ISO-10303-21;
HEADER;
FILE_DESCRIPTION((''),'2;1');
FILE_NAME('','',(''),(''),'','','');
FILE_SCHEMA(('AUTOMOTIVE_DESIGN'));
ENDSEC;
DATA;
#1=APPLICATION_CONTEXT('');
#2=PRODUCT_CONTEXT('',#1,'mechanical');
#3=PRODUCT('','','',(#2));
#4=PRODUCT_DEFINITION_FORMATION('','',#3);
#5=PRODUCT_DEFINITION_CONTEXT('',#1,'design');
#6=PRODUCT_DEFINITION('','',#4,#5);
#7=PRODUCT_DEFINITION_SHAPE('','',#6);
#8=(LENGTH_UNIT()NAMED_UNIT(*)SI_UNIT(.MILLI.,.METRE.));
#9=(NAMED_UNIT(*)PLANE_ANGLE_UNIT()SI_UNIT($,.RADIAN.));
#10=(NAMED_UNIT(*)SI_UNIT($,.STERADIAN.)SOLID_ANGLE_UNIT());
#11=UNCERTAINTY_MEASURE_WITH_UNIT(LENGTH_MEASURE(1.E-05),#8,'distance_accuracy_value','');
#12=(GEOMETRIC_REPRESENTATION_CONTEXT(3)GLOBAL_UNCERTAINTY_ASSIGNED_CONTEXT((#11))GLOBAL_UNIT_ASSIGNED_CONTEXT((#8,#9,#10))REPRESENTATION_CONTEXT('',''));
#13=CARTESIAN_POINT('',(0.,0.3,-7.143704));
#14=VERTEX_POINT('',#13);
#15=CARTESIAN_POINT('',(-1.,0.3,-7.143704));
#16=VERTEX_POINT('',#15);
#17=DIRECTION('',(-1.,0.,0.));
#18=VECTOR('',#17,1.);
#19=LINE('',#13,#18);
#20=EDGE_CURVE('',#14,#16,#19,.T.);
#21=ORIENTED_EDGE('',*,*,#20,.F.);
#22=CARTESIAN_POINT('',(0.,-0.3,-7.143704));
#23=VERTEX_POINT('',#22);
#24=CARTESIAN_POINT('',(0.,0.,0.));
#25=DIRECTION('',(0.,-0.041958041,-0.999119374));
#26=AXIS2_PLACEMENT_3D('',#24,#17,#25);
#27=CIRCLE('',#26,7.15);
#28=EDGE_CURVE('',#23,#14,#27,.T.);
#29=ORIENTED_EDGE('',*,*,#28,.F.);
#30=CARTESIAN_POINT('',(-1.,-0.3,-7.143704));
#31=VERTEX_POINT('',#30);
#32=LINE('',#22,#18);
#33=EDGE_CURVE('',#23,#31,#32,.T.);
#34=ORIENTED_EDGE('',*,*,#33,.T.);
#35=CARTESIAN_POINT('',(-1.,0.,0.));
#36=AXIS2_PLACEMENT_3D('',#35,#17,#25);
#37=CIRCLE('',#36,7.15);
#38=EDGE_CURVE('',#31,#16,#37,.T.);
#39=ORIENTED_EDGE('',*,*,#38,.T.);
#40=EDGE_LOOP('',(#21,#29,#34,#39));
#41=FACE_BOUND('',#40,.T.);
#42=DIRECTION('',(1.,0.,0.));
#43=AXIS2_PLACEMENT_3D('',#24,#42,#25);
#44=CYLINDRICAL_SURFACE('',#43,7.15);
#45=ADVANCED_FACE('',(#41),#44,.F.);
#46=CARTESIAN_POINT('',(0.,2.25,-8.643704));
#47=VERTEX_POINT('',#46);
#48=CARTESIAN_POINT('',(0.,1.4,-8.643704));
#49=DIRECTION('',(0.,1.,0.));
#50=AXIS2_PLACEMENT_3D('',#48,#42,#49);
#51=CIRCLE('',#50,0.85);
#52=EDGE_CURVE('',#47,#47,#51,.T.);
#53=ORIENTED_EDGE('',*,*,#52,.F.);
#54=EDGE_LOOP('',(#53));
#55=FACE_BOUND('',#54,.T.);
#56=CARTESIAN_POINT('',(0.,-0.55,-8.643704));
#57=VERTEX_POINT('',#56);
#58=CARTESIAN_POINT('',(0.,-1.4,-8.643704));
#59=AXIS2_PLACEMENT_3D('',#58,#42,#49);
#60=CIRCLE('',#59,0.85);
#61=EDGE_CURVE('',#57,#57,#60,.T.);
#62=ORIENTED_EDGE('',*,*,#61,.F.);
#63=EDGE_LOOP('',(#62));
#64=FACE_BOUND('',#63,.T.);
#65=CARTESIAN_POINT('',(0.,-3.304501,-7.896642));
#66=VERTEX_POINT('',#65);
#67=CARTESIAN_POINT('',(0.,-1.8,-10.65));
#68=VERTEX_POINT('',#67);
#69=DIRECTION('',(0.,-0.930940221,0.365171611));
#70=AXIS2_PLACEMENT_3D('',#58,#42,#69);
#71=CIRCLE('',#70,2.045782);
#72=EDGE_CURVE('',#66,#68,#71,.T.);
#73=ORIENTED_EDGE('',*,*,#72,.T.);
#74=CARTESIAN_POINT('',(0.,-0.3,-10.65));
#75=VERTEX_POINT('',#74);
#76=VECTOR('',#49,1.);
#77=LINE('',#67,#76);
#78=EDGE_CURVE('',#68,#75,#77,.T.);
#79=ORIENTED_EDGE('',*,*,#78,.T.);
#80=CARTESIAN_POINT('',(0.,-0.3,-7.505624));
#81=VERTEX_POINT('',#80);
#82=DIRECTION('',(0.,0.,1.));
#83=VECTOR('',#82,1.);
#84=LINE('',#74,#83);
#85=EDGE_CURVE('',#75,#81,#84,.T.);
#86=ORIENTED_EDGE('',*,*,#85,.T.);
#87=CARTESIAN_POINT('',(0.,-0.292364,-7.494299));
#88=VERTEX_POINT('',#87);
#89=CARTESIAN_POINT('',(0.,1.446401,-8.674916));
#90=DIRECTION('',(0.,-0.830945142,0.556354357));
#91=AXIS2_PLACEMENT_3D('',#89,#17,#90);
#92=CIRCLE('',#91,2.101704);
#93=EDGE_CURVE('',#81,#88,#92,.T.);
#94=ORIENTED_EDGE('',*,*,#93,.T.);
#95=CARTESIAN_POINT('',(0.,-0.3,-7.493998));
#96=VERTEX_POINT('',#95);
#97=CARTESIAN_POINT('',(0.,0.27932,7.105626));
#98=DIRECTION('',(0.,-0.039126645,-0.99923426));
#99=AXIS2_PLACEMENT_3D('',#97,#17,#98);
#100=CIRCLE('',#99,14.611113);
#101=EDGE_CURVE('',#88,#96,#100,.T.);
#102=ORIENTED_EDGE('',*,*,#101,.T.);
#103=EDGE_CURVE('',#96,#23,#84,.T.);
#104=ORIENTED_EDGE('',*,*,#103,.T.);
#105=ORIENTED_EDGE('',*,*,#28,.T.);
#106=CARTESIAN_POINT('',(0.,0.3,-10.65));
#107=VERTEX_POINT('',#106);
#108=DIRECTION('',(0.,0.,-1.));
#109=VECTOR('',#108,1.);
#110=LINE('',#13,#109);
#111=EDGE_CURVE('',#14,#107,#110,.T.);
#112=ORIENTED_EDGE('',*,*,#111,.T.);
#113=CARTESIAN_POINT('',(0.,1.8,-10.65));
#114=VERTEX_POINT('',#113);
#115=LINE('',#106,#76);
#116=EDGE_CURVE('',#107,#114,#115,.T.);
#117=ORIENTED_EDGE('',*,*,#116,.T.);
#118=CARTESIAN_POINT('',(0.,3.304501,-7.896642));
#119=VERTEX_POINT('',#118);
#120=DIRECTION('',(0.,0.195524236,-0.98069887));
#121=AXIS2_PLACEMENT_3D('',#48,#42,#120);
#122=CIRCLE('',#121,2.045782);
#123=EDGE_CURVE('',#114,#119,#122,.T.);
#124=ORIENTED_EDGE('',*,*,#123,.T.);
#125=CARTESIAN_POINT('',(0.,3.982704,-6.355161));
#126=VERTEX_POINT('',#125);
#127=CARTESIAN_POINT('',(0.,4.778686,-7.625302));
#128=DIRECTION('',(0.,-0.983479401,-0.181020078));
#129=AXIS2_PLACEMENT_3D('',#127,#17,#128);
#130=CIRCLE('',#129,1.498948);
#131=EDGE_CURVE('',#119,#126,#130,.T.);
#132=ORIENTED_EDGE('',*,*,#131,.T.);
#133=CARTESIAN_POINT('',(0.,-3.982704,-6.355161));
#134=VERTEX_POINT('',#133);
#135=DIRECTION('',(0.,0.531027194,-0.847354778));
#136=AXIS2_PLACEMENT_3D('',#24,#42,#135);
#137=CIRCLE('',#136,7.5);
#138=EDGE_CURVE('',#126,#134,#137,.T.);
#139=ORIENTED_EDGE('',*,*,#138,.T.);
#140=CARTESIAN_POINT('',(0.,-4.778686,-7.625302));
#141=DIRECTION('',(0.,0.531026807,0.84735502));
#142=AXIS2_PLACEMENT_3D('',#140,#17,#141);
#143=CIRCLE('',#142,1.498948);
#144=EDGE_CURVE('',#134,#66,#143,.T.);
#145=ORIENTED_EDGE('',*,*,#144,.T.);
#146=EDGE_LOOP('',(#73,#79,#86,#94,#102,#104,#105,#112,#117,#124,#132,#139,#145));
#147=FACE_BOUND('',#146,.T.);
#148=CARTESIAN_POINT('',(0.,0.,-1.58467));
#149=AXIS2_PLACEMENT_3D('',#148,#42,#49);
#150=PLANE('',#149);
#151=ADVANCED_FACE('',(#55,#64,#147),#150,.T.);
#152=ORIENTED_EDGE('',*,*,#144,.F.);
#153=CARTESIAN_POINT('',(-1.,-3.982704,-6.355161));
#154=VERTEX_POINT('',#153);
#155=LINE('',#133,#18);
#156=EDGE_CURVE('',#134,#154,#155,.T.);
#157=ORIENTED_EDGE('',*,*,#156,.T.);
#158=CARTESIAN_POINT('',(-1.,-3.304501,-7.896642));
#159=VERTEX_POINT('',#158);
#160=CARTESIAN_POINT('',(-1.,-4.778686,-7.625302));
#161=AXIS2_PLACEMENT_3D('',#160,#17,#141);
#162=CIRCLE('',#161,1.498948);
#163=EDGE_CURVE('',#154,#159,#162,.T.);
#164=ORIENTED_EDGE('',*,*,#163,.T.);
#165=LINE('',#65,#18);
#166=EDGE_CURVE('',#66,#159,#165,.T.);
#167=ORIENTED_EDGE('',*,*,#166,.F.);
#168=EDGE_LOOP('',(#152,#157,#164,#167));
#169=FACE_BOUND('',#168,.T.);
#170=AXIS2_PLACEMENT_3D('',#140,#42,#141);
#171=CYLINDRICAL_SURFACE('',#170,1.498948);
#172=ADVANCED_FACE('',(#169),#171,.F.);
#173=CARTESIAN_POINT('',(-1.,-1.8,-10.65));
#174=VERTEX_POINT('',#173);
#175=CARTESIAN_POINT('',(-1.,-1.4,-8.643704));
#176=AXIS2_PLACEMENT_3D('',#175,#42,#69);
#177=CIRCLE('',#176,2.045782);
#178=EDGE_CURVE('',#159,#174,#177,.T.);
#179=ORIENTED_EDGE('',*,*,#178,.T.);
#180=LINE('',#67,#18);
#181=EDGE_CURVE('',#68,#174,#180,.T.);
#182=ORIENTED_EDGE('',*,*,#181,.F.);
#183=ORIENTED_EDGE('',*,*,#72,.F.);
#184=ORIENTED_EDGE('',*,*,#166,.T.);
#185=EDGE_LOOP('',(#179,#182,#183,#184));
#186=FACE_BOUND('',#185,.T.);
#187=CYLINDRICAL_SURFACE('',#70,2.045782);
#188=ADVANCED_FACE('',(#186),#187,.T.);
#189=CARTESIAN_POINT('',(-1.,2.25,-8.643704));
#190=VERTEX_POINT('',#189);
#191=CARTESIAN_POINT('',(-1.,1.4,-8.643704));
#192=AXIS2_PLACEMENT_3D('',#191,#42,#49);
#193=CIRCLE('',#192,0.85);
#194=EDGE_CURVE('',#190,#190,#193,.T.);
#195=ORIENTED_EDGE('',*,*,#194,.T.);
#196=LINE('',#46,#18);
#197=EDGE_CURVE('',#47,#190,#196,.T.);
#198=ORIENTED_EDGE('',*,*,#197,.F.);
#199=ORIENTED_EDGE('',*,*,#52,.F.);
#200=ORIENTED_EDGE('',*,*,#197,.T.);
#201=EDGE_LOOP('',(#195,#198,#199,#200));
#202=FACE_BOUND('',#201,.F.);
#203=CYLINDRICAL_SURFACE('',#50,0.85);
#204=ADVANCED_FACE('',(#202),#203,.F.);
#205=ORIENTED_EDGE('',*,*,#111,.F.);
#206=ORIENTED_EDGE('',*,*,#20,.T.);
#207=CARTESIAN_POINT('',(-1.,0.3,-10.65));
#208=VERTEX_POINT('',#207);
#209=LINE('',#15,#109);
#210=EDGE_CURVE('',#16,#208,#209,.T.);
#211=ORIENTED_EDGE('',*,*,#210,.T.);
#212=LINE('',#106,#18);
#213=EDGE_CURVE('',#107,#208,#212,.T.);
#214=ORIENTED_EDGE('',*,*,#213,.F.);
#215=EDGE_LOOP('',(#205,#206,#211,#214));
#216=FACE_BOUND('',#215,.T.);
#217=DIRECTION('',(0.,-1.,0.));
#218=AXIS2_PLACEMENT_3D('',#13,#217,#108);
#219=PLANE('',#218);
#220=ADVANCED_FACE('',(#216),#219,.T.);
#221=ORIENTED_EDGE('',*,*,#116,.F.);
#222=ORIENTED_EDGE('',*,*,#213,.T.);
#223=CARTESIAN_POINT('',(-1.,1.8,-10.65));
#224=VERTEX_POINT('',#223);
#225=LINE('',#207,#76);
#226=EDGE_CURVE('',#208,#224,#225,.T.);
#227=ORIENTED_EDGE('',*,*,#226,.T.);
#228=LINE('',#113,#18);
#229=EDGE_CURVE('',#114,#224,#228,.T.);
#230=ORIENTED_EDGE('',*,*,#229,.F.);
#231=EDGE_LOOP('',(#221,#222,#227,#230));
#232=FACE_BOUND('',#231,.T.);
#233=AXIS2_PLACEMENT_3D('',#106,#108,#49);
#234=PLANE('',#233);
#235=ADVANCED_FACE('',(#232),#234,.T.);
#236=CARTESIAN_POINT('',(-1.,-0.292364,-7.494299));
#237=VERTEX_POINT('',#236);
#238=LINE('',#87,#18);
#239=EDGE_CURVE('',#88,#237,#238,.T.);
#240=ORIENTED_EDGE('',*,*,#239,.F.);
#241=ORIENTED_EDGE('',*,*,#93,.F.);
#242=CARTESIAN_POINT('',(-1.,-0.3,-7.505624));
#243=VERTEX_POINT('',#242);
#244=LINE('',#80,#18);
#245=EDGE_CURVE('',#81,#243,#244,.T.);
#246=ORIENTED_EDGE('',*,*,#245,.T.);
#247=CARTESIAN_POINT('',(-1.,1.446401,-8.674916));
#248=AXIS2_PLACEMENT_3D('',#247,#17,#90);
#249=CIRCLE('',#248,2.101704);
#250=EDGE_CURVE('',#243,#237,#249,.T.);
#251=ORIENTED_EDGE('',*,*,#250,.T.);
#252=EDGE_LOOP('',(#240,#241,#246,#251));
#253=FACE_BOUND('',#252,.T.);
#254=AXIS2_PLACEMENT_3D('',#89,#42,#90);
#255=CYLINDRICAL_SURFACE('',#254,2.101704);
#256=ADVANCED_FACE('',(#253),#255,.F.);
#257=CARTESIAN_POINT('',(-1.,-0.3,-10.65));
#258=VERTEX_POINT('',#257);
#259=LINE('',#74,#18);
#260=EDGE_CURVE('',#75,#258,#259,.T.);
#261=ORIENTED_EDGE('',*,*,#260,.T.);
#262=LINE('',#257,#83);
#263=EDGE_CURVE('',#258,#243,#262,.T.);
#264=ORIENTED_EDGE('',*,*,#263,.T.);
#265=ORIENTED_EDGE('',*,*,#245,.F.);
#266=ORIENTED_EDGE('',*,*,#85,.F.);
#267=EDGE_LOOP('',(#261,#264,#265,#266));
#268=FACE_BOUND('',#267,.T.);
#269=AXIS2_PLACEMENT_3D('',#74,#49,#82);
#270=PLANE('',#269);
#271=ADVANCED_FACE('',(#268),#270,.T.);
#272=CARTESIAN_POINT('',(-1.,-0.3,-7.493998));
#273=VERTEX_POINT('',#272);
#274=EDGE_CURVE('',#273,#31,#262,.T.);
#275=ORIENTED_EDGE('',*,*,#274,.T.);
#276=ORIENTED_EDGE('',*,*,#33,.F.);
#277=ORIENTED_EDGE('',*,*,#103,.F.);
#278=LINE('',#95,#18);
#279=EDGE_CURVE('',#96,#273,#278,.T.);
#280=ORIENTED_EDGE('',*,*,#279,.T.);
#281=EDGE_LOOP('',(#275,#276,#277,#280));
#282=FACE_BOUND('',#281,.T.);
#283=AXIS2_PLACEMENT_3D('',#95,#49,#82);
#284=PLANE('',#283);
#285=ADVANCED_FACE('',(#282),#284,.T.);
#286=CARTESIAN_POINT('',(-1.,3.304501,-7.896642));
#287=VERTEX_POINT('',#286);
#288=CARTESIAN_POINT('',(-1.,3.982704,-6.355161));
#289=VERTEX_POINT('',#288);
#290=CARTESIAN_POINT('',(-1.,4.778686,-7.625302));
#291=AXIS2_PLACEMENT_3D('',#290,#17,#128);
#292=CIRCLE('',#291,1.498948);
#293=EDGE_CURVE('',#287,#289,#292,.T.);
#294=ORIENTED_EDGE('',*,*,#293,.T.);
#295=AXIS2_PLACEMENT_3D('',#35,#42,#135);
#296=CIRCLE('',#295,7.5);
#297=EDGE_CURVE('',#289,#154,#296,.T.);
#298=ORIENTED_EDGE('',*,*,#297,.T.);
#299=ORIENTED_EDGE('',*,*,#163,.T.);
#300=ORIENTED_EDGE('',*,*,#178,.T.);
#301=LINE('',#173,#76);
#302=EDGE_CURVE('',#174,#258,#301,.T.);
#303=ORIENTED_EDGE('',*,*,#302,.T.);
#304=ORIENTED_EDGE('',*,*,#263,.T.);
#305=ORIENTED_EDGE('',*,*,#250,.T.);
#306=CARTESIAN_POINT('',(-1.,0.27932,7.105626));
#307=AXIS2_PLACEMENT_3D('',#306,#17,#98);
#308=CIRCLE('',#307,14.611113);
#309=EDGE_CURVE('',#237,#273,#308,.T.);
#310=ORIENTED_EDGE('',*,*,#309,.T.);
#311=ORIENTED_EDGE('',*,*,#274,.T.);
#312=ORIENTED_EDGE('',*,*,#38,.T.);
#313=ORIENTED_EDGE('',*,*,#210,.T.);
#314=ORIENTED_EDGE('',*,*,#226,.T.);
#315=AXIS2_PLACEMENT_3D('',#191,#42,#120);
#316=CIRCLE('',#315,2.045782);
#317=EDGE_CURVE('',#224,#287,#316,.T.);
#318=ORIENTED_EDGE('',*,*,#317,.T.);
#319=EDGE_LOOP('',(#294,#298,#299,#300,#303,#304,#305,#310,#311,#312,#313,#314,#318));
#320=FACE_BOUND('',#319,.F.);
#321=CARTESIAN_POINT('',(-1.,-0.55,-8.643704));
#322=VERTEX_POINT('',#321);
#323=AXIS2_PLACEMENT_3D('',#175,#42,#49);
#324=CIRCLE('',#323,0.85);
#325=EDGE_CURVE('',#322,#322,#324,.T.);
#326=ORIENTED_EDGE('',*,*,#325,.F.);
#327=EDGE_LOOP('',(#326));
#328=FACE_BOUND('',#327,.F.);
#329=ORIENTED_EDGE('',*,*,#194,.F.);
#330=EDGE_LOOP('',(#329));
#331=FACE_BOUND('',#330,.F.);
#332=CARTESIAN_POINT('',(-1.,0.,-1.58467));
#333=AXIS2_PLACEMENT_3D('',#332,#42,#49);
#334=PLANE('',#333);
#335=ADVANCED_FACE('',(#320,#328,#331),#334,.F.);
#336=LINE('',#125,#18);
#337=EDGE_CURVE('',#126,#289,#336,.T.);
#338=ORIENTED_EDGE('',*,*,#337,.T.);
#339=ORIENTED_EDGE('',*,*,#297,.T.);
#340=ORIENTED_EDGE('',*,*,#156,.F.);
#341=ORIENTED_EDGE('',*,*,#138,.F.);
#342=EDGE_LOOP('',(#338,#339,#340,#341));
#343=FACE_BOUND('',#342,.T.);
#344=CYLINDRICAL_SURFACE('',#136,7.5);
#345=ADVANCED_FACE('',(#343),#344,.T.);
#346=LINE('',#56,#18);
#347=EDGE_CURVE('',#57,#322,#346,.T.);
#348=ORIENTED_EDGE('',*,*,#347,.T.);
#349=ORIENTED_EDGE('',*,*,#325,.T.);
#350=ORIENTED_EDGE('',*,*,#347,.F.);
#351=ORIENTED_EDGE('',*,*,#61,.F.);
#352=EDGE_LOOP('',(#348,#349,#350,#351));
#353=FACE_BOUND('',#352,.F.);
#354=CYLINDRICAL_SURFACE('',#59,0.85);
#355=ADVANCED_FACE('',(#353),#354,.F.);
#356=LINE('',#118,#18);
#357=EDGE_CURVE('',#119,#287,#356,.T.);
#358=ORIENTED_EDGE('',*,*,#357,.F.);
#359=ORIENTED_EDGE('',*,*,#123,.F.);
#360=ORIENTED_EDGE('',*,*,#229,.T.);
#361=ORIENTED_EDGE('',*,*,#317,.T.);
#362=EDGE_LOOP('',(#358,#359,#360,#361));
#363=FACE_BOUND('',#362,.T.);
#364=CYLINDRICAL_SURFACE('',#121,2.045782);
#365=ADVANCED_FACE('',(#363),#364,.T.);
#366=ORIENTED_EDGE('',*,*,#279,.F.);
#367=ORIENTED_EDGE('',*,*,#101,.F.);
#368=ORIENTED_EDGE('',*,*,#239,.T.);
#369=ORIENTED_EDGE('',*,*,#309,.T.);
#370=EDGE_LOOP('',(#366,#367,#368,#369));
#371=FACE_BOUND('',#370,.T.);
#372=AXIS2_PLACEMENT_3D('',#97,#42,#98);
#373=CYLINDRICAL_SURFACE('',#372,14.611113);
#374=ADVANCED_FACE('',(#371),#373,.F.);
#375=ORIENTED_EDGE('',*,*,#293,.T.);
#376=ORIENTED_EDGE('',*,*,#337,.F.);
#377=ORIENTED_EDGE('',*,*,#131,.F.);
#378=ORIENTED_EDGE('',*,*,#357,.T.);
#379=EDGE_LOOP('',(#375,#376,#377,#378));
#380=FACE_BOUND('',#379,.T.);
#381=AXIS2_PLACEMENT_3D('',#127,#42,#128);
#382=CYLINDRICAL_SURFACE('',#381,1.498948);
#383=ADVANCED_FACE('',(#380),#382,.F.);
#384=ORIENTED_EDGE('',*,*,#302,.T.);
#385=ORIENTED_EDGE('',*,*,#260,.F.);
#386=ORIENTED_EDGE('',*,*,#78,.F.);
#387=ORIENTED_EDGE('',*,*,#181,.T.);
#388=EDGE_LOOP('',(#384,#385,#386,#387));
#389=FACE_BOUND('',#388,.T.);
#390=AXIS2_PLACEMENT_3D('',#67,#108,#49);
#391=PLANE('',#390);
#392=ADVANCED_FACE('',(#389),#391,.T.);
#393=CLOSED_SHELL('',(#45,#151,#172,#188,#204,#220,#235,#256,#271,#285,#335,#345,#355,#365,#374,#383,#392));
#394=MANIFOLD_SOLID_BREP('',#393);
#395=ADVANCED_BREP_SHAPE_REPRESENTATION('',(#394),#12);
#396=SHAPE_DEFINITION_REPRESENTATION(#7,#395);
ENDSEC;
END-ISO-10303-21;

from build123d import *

# Parameters (mm, degrees)
F0_R     = 0.85
F1_DEPTH = 1


with BuildPart() as f1:
    # F0 (on Right) → F1 (new body)
    with BuildSketch(Plane.YZ):
        with BuildLine():
            ThreePointArc((-0.3, -7.143704), (0, 7.15), (0.3, -7.143704))
            Line((0.3, -7.143704), (0.3, -10.65))
            Line((0.3, -10.65), (1.8, -10.65))
            ThreePointArc((1.8, -10.65), (3.195251, -9.624672), (3.304501, -7.896642))
            ThreePointArc((3.304501, -7.896642), (3.40666, -7.021654), (3.982704, -6.355161))
            ThreePointArc((3.982704, -6.355161), (0, 7.5), (-3.982704, -6.355161))
            ThreePointArc((-3.982704, -6.355161), (-3.40666, -7.021654), (-3.304501, -7.896642))
            ThreePointArc((-3.304501, -7.896642), (-3.195251, -9.624672), (-1.8, -10.65))
            Line((-1.8, -10.65), (-0.3, -10.65))
            Line((-0.3, -10.65), (-0.3, -7.505624))
            Line((-0.3, -7.505624), (-0.3, -7.493998))
            Line((-0.3, -7.493998), (-0.3, -7.143704))
        make_face()
        with Locations((-1.4, -8.643704)):
            Circle(F0_R, mode=Mode.SUBTRACT)
        with Locations((1.4, -8.643704)):
            Circle(F0_R, mode=Mode.SUBTRACT)
        with BuildLine():
            ThreePointArc((-0.292364, -7.494299), (-0.296182, -7.494149), (-0.3, -7.493998))
            Line((-0.3, -7.493998), (-0.3, -7.505624))
            ThreePointArc((-0.3, -7.505624), (-0.296191, -7.499955), (-0.292364, -7.494299))
        make_face()
    extrude(amount=-F1_DEPTH)


solid = f1.part
